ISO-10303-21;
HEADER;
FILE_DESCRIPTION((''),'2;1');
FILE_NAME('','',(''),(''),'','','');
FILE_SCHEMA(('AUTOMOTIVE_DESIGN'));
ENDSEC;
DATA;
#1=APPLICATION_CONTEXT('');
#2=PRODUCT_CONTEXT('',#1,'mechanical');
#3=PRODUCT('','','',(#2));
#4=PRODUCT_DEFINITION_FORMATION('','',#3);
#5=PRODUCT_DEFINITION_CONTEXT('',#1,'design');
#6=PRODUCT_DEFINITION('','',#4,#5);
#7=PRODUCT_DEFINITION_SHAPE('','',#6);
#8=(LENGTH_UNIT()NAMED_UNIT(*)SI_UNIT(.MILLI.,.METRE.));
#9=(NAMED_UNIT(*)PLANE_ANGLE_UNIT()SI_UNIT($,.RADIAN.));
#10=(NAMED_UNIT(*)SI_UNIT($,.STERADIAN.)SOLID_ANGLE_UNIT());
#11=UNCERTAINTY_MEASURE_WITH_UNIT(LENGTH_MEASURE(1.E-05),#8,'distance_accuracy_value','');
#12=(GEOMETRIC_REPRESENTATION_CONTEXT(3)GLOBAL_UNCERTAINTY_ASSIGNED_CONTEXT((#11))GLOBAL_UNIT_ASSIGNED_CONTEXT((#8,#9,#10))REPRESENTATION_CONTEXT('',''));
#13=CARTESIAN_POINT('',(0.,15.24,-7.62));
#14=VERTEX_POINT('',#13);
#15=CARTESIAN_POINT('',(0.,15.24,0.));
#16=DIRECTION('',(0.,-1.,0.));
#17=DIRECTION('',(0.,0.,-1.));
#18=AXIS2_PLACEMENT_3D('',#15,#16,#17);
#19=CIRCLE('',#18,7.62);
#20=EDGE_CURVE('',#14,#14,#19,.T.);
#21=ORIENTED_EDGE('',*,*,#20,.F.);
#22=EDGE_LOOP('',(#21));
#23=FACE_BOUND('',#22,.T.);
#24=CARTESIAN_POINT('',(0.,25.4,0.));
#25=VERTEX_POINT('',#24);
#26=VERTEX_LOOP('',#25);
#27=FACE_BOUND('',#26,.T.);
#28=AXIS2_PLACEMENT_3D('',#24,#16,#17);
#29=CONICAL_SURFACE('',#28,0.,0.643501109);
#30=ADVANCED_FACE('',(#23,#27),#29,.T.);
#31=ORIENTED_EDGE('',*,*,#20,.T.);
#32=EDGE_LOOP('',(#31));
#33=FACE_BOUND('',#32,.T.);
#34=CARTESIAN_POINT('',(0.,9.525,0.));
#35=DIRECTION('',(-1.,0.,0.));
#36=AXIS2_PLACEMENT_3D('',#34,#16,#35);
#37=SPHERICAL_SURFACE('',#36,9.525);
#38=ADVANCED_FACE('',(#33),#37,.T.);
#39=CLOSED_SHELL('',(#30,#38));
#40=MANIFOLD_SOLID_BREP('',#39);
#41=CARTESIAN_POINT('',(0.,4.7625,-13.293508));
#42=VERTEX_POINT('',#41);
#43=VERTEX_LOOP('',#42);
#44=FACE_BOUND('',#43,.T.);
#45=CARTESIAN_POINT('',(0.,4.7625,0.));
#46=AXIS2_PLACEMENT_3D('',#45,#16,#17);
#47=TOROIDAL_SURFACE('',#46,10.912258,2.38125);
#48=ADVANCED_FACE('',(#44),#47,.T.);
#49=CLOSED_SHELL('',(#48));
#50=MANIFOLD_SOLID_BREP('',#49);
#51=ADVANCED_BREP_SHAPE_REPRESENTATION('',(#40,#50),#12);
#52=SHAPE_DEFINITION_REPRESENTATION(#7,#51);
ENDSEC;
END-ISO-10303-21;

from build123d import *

# Parameters (mm, degrees)
SKETCH1_R = 2.38125


with BuildPart() as part:
    # Sketch1 → Revolve1 (revolve)
    with BuildSketch(Plane.XY):
        with Locations((-10.912258374, 4.7625)):
            Circle(SKETCH1_R)
        with BuildLine():
            Line((0, 25.4), (-7.62, 15.24))
            ThreePointArc((-7.62, 15.24), (-8.519418994, 5.265290503), (0, 0))
            Line((0, 0), (0, 25.4))
        make_face()
    revolve(axis=Axis((0, 0, 0), (0, 1, 0)))


solid = part.part
